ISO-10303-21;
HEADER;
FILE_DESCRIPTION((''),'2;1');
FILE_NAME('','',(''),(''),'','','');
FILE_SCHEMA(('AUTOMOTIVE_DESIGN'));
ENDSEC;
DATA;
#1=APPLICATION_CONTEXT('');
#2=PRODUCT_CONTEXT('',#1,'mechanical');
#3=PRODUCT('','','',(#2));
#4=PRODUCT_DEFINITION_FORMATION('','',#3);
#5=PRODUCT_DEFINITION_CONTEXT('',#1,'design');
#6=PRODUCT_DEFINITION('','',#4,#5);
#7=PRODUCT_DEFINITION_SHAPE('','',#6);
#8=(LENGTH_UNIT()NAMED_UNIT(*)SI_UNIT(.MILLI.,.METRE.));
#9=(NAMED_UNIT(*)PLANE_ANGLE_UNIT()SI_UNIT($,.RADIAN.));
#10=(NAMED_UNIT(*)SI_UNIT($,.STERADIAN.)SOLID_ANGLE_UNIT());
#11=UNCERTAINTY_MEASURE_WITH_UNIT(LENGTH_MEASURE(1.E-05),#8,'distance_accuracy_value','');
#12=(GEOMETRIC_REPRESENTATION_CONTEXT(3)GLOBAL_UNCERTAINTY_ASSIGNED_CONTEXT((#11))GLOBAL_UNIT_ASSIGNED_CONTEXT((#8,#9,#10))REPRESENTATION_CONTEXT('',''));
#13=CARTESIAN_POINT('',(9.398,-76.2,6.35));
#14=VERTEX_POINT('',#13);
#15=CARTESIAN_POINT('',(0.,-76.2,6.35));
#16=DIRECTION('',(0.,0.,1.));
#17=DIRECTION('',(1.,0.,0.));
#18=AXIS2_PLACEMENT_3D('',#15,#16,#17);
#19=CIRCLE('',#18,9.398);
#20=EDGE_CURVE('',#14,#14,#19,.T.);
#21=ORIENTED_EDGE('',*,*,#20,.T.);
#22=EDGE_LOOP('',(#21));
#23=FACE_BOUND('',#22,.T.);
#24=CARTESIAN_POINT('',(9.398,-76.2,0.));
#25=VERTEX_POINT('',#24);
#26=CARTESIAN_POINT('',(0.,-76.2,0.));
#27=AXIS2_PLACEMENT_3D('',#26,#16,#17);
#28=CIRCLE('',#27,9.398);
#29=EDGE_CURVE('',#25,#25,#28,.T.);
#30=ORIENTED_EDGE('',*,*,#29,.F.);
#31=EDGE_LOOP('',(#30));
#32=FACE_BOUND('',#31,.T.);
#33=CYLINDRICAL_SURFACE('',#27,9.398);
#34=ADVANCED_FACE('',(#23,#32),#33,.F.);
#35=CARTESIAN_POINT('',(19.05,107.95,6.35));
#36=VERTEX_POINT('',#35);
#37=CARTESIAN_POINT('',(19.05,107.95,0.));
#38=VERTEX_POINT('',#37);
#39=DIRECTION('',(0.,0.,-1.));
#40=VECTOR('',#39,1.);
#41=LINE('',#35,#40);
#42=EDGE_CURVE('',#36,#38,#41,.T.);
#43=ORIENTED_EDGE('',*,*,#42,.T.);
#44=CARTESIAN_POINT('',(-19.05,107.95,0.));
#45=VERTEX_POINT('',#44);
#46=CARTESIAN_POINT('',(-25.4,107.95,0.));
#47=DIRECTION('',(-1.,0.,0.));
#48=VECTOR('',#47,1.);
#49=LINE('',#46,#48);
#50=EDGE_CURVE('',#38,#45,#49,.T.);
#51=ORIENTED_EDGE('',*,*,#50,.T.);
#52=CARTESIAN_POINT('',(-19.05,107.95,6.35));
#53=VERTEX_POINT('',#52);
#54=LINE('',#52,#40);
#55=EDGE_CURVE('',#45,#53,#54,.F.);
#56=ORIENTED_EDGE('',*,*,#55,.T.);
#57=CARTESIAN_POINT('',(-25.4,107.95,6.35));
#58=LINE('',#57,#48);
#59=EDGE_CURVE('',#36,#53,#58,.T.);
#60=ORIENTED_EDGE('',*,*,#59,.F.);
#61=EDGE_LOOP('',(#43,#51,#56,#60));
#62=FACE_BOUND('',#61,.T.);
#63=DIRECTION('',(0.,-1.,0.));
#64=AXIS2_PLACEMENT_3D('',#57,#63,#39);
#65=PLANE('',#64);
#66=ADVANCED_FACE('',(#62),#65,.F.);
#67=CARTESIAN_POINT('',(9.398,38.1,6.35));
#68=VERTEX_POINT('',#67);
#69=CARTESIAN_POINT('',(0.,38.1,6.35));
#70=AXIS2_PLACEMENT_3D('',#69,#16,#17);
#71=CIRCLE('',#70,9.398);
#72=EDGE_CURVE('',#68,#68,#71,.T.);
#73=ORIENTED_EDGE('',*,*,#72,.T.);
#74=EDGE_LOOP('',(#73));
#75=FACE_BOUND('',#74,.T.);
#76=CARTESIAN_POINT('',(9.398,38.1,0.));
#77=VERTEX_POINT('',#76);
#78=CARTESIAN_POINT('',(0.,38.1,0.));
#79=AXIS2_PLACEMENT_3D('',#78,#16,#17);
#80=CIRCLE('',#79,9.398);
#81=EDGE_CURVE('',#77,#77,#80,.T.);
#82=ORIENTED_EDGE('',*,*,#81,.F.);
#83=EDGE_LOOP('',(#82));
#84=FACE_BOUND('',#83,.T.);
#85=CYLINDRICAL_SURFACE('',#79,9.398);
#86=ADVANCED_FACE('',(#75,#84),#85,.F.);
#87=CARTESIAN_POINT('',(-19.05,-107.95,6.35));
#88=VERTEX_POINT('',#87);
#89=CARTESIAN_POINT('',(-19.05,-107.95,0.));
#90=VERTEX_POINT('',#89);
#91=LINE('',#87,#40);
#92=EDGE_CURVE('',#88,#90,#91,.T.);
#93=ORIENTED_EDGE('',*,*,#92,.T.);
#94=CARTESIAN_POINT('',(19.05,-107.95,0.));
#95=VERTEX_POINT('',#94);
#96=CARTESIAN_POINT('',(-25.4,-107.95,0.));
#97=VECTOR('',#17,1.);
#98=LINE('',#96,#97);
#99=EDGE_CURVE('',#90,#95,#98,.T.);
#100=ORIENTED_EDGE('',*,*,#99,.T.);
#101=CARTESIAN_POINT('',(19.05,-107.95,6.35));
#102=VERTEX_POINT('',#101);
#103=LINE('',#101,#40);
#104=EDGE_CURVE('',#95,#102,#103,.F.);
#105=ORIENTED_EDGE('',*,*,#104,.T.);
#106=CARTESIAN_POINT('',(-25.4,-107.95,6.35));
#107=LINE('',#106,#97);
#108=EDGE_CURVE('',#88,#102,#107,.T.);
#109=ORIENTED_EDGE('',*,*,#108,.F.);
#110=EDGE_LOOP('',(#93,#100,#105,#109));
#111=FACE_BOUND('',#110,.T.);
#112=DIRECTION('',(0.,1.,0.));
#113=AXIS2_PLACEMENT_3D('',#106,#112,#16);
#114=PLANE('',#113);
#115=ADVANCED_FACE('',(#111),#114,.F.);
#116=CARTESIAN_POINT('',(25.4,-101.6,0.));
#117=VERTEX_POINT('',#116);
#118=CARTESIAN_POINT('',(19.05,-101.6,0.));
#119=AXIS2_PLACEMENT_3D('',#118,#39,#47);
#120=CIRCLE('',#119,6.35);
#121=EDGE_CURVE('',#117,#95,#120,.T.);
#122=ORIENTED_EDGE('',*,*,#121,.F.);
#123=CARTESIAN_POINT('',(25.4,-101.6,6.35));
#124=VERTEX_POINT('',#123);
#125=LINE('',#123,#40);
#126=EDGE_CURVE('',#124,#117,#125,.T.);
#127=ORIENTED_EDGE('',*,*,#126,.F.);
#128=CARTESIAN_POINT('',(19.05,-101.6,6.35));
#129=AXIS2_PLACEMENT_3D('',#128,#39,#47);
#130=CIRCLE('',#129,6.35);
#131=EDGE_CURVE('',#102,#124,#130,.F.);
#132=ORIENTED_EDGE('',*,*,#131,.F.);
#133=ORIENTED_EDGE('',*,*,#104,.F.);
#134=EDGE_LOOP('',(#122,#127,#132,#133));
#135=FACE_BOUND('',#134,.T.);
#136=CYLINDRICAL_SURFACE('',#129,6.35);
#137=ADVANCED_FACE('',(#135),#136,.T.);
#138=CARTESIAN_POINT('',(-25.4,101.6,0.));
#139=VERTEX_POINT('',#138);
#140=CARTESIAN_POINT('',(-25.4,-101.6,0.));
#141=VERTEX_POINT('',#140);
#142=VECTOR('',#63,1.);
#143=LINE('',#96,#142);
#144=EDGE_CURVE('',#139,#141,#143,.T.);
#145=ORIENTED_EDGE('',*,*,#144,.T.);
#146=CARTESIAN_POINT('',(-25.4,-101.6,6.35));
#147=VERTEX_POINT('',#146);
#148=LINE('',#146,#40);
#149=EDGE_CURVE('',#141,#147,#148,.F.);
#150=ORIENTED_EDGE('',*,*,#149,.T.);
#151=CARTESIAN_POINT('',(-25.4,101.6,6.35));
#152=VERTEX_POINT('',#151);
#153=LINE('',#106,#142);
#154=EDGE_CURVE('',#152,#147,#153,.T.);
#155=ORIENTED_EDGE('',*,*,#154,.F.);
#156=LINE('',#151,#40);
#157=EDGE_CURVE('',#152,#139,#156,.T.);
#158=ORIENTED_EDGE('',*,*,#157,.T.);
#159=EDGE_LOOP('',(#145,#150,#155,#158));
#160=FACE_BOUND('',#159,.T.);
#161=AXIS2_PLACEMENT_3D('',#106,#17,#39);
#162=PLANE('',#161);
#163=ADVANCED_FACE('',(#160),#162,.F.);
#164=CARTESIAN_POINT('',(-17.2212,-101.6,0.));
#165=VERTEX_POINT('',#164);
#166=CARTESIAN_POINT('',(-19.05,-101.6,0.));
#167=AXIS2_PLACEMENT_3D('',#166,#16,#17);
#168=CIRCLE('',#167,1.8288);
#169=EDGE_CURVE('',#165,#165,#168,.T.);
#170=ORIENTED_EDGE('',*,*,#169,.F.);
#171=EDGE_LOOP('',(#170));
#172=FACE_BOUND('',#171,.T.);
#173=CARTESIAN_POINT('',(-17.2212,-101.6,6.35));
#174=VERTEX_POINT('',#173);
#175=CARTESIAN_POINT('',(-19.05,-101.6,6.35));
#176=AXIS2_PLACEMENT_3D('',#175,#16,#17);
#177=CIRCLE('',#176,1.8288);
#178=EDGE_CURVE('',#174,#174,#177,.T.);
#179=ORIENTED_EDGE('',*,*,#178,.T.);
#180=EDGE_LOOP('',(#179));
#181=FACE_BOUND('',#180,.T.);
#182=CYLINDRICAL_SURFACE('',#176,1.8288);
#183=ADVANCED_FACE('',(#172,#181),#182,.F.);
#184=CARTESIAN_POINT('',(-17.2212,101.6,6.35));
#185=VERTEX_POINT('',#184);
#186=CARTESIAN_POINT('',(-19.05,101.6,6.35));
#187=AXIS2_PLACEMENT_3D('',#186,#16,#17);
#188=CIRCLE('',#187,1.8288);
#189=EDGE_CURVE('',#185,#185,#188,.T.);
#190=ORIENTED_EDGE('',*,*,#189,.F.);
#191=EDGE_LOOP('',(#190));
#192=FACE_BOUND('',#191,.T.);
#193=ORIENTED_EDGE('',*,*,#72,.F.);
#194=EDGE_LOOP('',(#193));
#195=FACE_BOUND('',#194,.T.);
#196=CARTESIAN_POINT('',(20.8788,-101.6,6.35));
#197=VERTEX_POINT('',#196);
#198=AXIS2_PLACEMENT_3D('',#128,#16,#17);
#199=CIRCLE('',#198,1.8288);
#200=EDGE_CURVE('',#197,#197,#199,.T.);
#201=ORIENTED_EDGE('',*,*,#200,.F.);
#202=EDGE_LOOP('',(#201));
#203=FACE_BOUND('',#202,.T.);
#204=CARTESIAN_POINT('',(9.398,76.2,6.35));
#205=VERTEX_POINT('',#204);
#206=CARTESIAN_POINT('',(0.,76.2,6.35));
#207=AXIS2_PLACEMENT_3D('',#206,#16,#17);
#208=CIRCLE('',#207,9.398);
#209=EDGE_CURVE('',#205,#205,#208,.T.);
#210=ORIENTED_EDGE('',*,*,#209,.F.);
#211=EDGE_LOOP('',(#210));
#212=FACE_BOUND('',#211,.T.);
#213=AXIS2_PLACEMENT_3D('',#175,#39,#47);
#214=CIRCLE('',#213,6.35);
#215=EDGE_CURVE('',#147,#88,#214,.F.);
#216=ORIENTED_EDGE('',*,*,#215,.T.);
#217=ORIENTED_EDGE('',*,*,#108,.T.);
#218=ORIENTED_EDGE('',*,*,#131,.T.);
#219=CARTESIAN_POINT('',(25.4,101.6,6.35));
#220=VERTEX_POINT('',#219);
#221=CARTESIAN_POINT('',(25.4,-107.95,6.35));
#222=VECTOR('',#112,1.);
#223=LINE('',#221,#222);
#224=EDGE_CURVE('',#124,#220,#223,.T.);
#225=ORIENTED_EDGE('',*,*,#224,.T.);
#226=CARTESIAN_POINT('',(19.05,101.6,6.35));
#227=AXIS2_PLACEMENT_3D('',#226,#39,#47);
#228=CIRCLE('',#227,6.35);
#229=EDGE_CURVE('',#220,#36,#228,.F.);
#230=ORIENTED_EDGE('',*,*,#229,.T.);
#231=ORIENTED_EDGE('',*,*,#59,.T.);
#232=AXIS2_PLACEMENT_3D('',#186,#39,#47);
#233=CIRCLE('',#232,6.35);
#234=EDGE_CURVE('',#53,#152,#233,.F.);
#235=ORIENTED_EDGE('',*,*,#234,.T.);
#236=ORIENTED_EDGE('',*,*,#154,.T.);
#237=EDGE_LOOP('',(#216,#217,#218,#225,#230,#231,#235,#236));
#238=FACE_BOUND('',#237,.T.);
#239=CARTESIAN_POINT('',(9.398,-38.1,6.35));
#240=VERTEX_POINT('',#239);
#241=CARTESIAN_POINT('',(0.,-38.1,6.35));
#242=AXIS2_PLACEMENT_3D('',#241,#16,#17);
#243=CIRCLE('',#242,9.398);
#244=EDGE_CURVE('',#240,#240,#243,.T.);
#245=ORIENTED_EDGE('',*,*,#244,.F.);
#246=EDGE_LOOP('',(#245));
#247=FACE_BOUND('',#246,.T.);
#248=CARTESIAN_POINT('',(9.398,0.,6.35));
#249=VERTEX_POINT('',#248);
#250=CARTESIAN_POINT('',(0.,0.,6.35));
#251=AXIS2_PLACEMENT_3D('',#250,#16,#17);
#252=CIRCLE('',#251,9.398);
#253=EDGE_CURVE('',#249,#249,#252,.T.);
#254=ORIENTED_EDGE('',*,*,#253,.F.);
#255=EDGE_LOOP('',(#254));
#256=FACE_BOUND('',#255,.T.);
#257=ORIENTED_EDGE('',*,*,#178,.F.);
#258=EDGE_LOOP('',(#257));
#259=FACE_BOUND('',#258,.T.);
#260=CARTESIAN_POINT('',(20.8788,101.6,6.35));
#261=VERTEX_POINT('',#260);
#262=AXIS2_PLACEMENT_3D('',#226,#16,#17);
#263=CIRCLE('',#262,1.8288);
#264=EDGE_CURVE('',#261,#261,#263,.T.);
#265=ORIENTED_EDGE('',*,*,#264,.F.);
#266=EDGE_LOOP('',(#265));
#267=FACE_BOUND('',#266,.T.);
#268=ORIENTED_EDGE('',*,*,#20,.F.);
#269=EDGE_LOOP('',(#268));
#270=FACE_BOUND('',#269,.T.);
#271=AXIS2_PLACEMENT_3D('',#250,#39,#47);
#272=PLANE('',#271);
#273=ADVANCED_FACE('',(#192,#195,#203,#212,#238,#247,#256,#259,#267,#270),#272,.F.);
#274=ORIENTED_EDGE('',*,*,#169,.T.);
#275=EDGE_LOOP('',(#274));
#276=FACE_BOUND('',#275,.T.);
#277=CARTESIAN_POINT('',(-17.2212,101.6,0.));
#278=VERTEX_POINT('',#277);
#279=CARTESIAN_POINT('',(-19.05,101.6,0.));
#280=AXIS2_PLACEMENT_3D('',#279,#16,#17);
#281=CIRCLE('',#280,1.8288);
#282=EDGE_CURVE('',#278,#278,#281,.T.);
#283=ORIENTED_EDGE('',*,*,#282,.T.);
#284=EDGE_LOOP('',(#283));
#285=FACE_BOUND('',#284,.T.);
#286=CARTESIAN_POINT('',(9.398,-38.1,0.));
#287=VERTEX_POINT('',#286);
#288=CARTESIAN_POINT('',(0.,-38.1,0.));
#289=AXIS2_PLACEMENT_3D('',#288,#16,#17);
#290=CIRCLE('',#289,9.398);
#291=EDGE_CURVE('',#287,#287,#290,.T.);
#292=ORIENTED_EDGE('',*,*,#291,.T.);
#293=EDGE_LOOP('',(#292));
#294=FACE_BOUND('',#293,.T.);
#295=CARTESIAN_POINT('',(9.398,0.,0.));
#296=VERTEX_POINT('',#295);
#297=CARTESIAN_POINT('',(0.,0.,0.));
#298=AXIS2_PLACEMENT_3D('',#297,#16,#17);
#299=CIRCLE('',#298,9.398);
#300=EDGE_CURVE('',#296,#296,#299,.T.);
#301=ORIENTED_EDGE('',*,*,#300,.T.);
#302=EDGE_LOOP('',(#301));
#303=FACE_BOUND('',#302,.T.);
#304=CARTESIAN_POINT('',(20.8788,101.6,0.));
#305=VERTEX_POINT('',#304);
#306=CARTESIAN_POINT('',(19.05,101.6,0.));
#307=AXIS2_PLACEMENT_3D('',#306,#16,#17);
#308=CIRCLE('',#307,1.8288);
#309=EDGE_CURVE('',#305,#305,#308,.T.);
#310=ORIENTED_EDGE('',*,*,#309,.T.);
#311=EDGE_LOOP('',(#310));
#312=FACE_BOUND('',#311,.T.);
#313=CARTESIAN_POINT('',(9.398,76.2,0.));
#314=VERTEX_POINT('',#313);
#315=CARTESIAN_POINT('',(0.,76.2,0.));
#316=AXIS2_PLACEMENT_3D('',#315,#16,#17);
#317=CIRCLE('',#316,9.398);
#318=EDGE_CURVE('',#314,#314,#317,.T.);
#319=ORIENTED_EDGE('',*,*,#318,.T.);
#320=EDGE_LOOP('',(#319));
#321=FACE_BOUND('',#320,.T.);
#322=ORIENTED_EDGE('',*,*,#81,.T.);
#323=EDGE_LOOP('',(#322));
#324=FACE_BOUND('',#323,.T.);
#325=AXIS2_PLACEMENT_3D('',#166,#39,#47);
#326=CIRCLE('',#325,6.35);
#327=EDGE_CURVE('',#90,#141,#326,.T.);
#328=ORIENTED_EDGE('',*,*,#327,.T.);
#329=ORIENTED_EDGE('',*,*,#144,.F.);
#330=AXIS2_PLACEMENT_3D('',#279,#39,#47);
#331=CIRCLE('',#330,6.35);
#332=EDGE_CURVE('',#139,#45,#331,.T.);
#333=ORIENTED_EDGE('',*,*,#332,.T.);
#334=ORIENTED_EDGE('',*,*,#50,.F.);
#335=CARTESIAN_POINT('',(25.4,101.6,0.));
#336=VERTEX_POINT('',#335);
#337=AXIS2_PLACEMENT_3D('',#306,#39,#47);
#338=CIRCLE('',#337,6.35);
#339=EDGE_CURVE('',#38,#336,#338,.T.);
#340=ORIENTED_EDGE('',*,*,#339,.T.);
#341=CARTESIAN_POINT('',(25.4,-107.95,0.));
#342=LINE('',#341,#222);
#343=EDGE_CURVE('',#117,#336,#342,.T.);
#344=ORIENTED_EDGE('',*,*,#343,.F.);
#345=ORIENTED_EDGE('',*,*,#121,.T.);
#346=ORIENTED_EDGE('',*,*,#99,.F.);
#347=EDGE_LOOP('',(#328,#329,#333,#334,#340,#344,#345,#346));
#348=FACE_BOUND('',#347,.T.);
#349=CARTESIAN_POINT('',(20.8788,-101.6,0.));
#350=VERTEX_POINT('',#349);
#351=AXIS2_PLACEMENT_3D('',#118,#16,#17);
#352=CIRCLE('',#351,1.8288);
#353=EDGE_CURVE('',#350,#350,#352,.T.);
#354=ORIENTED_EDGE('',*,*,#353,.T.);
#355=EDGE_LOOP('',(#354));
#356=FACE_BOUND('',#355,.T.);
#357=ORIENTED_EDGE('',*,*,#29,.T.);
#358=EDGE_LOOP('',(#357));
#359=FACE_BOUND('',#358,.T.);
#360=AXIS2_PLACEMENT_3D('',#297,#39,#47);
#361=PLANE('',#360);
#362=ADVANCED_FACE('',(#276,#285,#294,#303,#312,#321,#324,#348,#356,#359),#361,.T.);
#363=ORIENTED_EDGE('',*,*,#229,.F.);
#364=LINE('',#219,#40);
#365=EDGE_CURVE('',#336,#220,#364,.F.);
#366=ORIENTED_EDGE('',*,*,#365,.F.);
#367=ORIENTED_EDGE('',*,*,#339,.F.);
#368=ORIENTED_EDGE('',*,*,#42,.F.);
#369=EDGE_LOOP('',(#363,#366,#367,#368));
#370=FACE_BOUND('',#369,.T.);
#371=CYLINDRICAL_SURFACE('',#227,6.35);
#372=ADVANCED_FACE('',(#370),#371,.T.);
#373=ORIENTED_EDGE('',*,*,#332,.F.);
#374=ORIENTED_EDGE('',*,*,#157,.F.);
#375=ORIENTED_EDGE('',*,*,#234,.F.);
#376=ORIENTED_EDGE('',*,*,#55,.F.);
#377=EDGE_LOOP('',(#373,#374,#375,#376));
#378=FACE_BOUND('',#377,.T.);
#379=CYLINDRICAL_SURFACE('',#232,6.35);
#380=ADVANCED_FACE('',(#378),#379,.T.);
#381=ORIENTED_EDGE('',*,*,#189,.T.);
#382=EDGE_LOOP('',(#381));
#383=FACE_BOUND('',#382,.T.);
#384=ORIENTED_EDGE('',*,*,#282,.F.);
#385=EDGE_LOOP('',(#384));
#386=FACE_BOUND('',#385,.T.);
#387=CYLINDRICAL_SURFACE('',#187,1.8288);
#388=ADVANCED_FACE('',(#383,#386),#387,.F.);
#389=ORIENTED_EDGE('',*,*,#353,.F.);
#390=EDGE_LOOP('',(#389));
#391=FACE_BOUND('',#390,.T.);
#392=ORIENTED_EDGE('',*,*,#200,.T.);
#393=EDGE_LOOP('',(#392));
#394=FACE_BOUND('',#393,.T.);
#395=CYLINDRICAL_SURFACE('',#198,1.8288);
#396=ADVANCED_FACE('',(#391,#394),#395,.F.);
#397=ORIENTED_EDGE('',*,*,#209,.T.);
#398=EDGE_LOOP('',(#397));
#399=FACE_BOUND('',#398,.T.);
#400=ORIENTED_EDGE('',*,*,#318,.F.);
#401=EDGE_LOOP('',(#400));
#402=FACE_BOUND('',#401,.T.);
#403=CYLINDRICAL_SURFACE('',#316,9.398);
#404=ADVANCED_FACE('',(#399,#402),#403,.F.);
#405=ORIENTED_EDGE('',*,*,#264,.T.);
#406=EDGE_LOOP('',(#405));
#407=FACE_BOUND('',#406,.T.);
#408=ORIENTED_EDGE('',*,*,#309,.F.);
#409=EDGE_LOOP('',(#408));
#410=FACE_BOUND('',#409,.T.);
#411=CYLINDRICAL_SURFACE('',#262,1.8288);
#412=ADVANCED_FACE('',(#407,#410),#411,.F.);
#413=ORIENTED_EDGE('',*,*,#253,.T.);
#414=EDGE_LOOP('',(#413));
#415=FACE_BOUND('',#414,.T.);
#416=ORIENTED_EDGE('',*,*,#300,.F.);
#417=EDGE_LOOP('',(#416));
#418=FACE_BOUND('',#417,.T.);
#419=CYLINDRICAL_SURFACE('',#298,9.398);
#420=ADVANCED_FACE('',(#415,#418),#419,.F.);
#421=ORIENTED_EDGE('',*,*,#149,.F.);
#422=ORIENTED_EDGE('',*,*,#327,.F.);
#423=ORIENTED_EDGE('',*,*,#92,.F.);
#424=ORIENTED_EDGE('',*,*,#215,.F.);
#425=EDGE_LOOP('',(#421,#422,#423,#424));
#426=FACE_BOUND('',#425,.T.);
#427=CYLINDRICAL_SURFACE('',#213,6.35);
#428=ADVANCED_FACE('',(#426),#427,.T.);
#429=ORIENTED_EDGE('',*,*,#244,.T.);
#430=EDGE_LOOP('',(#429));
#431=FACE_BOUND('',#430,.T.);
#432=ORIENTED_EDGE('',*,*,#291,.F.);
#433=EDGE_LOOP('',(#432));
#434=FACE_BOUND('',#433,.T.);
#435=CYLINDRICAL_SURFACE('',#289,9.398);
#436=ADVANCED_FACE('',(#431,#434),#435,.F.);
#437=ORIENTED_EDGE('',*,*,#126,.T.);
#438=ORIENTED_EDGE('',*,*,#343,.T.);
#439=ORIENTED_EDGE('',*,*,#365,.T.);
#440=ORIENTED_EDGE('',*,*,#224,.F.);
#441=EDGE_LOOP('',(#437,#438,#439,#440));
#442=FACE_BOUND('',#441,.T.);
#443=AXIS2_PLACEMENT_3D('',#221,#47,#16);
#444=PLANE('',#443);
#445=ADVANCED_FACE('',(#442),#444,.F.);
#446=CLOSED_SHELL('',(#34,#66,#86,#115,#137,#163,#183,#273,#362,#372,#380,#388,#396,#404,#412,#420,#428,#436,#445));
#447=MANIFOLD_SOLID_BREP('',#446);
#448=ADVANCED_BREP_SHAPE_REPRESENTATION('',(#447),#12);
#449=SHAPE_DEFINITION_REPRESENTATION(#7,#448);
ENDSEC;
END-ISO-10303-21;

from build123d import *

# Parameters (mm, degrees)
SKETCH1_W             = 50.8
SKETCH1_H             = 215.9
BOSS_EXTRUDE1_DEPTH   = 6.35
SKETCH2_R             = 9.398
CUT_EXTRUDE1_DEPTH    = 6.35
LPATTERN1_COUNT       = 3
LPATTERN1_PITCH       = 38.1
LPATTERN1_COL_COUNT   = 3
LPATTERN1_COL_PITCH   = 38.1
F_6_CLEARANCE_HOLE1_D = 3.6576
FILLET1_R             = 6.35


with BuildPart() as part:
    # Sketch1 → Boss-Extrude1 (new body)
    with BuildSketch(Plane.XY):
        Rectangle(SKETCH1_W, SKETCH1_H)
    extrude(amount=BOSS_EXTRUDE1_DEPTH)

    # Sketch2 → Cut-Extrude1 (cut)
    with BuildSketch(Plane.XY.offset(6.35)):
        Circle(SKETCH2_R)
    cut_extrude1 = extrude(amount=-CUT_EXTRUDE1_DEPTH, mode=Mode.SUBTRACT)

    # LPattern1: Cut-Extrude1 ×3
    with Locations(*[(0, -i * LPATTERN1_PITCH, 0) for i in range(1, LPATTERN1_COUNT)]):
        add(cut_extrude1, mode=Mode.SUBTRACT)

    # LPattern1 col: Cut-Extrude1 ×3
    with Locations(*[(0, i * LPATTERN1_COL_PITCH, 0) for i in range(1, LPATTERN1_COL_COUNT)]):
        add(cut_extrude1, mode=Mode.SUBTRACT)

    # #6 Clearance Hole1 (through all)
    with Locations(Plane.XY.offset(6.35)):
        with Locations((19.05, -101.6), (0, 0), (19.05, 101.6), (-19.05, -101.6), (-19.05, 101.6)):
            Hole(F_6_CLEARANCE_HOLE1_D / 2)

    # Fillet1
    fillet1_edges = [part.edges().sort_by_distance(p)[0] for p in [
        (25.4, -107.95, 3.175),
        (-25.4, -107.95, 3.175),
        (-25.4, 107.95, 3.175),
        (25.4, 107.95, 3.175),
    ]]
    fillet(fillet1_edges, radius=FILLET1_R)


solid = part.part
